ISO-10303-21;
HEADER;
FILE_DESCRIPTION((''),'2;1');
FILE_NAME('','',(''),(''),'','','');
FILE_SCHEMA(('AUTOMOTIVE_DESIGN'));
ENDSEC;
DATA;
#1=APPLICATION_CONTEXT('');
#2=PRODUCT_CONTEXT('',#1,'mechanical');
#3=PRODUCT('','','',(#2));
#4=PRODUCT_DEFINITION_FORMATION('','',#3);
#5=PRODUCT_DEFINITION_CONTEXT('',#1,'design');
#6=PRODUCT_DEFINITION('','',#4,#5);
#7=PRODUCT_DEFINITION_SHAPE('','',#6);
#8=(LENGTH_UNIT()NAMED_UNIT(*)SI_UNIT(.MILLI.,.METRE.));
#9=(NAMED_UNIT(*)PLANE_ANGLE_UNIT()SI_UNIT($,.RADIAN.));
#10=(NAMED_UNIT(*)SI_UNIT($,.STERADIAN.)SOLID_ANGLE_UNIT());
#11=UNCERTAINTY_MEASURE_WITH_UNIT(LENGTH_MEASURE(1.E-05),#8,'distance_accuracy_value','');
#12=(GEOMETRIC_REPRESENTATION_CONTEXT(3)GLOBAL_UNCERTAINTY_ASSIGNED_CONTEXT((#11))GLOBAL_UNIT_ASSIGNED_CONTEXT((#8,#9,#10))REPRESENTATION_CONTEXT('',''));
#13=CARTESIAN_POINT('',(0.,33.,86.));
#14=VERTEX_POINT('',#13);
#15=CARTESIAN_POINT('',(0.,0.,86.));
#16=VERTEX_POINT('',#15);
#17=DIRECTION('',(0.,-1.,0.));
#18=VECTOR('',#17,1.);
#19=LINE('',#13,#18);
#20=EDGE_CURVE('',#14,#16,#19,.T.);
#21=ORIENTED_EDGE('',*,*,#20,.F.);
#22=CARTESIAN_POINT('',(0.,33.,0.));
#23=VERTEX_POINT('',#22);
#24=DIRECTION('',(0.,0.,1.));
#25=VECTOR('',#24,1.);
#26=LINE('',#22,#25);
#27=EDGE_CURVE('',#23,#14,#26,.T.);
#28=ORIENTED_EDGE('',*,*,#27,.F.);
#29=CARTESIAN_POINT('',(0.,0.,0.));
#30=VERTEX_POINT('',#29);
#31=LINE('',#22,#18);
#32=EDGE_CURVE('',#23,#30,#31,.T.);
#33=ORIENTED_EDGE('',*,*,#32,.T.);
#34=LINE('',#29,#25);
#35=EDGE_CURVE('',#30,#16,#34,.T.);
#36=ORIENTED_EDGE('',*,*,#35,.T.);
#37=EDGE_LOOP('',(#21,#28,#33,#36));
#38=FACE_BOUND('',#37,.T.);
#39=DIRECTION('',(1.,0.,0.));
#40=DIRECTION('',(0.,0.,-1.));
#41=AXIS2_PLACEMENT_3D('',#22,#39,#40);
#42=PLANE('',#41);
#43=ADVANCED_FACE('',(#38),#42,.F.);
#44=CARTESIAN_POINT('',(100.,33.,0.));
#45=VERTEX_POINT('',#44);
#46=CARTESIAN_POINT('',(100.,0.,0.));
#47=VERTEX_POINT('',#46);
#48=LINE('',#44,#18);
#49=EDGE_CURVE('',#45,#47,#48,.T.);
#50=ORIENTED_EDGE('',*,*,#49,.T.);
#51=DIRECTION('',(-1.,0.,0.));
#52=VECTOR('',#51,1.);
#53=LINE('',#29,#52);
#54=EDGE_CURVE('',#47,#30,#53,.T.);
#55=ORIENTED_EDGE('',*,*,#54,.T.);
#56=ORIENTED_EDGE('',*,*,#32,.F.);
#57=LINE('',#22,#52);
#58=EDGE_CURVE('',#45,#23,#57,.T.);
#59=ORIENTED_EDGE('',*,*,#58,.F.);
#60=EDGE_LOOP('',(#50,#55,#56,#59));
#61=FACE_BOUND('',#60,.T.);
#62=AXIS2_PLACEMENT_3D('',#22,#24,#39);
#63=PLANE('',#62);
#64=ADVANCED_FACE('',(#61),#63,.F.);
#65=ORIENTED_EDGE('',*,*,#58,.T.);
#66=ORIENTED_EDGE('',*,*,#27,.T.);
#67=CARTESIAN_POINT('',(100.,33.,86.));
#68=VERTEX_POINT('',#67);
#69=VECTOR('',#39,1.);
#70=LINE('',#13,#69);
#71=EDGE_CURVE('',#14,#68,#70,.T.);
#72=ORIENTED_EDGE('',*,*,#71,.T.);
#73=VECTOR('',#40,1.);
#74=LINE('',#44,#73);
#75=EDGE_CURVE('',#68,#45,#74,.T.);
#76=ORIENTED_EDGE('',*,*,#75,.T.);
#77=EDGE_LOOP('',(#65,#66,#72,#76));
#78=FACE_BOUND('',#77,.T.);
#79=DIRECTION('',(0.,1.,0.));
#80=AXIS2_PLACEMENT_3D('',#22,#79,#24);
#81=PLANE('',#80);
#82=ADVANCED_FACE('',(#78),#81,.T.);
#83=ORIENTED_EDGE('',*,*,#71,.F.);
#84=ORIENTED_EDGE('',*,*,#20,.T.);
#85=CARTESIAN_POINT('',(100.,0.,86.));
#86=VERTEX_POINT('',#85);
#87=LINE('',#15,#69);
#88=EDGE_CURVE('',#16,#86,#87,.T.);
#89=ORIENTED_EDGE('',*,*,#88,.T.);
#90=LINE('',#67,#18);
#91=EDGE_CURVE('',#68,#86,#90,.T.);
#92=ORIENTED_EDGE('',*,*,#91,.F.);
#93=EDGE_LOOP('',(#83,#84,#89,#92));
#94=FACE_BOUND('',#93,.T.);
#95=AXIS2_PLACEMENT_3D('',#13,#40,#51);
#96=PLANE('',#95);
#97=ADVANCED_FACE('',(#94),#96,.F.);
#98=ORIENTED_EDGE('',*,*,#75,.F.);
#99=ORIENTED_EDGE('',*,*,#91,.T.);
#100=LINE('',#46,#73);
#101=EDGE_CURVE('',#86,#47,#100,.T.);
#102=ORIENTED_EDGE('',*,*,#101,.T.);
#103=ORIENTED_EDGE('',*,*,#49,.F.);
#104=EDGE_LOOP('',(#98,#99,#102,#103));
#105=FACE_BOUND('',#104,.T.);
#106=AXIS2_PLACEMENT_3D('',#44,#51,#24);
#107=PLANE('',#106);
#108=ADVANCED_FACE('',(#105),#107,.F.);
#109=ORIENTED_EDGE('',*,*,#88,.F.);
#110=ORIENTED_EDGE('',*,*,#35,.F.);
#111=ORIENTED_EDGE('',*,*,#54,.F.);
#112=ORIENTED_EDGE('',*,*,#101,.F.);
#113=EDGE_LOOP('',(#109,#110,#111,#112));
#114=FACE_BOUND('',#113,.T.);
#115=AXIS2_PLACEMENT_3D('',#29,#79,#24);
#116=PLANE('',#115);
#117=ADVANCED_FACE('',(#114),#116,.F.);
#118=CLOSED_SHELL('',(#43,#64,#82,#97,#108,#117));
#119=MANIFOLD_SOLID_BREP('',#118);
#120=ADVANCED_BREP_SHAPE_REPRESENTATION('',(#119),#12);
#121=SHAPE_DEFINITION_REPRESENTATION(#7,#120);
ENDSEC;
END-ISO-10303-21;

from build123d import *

# Parameters (mm, degrees)
SKETCH_1_W      = 100
SKETCH_1_H      = 86
EXTRUDE_1_DEPTH = 33


with BuildPart() as part:
    # 草图1 → 凸台-拉伸1 (new body)
    with BuildSketch(Plane(origin=(0, 0, 0), x_dir=(1, 0, 0), z_dir=(0, 1, 0))):
        with Locations((50, -43)):
            Rectangle(SKETCH_1_W, SKETCH_1_H)
    extrude(amount=EXTRUDE_1_DEPTH)


solid = part.part
